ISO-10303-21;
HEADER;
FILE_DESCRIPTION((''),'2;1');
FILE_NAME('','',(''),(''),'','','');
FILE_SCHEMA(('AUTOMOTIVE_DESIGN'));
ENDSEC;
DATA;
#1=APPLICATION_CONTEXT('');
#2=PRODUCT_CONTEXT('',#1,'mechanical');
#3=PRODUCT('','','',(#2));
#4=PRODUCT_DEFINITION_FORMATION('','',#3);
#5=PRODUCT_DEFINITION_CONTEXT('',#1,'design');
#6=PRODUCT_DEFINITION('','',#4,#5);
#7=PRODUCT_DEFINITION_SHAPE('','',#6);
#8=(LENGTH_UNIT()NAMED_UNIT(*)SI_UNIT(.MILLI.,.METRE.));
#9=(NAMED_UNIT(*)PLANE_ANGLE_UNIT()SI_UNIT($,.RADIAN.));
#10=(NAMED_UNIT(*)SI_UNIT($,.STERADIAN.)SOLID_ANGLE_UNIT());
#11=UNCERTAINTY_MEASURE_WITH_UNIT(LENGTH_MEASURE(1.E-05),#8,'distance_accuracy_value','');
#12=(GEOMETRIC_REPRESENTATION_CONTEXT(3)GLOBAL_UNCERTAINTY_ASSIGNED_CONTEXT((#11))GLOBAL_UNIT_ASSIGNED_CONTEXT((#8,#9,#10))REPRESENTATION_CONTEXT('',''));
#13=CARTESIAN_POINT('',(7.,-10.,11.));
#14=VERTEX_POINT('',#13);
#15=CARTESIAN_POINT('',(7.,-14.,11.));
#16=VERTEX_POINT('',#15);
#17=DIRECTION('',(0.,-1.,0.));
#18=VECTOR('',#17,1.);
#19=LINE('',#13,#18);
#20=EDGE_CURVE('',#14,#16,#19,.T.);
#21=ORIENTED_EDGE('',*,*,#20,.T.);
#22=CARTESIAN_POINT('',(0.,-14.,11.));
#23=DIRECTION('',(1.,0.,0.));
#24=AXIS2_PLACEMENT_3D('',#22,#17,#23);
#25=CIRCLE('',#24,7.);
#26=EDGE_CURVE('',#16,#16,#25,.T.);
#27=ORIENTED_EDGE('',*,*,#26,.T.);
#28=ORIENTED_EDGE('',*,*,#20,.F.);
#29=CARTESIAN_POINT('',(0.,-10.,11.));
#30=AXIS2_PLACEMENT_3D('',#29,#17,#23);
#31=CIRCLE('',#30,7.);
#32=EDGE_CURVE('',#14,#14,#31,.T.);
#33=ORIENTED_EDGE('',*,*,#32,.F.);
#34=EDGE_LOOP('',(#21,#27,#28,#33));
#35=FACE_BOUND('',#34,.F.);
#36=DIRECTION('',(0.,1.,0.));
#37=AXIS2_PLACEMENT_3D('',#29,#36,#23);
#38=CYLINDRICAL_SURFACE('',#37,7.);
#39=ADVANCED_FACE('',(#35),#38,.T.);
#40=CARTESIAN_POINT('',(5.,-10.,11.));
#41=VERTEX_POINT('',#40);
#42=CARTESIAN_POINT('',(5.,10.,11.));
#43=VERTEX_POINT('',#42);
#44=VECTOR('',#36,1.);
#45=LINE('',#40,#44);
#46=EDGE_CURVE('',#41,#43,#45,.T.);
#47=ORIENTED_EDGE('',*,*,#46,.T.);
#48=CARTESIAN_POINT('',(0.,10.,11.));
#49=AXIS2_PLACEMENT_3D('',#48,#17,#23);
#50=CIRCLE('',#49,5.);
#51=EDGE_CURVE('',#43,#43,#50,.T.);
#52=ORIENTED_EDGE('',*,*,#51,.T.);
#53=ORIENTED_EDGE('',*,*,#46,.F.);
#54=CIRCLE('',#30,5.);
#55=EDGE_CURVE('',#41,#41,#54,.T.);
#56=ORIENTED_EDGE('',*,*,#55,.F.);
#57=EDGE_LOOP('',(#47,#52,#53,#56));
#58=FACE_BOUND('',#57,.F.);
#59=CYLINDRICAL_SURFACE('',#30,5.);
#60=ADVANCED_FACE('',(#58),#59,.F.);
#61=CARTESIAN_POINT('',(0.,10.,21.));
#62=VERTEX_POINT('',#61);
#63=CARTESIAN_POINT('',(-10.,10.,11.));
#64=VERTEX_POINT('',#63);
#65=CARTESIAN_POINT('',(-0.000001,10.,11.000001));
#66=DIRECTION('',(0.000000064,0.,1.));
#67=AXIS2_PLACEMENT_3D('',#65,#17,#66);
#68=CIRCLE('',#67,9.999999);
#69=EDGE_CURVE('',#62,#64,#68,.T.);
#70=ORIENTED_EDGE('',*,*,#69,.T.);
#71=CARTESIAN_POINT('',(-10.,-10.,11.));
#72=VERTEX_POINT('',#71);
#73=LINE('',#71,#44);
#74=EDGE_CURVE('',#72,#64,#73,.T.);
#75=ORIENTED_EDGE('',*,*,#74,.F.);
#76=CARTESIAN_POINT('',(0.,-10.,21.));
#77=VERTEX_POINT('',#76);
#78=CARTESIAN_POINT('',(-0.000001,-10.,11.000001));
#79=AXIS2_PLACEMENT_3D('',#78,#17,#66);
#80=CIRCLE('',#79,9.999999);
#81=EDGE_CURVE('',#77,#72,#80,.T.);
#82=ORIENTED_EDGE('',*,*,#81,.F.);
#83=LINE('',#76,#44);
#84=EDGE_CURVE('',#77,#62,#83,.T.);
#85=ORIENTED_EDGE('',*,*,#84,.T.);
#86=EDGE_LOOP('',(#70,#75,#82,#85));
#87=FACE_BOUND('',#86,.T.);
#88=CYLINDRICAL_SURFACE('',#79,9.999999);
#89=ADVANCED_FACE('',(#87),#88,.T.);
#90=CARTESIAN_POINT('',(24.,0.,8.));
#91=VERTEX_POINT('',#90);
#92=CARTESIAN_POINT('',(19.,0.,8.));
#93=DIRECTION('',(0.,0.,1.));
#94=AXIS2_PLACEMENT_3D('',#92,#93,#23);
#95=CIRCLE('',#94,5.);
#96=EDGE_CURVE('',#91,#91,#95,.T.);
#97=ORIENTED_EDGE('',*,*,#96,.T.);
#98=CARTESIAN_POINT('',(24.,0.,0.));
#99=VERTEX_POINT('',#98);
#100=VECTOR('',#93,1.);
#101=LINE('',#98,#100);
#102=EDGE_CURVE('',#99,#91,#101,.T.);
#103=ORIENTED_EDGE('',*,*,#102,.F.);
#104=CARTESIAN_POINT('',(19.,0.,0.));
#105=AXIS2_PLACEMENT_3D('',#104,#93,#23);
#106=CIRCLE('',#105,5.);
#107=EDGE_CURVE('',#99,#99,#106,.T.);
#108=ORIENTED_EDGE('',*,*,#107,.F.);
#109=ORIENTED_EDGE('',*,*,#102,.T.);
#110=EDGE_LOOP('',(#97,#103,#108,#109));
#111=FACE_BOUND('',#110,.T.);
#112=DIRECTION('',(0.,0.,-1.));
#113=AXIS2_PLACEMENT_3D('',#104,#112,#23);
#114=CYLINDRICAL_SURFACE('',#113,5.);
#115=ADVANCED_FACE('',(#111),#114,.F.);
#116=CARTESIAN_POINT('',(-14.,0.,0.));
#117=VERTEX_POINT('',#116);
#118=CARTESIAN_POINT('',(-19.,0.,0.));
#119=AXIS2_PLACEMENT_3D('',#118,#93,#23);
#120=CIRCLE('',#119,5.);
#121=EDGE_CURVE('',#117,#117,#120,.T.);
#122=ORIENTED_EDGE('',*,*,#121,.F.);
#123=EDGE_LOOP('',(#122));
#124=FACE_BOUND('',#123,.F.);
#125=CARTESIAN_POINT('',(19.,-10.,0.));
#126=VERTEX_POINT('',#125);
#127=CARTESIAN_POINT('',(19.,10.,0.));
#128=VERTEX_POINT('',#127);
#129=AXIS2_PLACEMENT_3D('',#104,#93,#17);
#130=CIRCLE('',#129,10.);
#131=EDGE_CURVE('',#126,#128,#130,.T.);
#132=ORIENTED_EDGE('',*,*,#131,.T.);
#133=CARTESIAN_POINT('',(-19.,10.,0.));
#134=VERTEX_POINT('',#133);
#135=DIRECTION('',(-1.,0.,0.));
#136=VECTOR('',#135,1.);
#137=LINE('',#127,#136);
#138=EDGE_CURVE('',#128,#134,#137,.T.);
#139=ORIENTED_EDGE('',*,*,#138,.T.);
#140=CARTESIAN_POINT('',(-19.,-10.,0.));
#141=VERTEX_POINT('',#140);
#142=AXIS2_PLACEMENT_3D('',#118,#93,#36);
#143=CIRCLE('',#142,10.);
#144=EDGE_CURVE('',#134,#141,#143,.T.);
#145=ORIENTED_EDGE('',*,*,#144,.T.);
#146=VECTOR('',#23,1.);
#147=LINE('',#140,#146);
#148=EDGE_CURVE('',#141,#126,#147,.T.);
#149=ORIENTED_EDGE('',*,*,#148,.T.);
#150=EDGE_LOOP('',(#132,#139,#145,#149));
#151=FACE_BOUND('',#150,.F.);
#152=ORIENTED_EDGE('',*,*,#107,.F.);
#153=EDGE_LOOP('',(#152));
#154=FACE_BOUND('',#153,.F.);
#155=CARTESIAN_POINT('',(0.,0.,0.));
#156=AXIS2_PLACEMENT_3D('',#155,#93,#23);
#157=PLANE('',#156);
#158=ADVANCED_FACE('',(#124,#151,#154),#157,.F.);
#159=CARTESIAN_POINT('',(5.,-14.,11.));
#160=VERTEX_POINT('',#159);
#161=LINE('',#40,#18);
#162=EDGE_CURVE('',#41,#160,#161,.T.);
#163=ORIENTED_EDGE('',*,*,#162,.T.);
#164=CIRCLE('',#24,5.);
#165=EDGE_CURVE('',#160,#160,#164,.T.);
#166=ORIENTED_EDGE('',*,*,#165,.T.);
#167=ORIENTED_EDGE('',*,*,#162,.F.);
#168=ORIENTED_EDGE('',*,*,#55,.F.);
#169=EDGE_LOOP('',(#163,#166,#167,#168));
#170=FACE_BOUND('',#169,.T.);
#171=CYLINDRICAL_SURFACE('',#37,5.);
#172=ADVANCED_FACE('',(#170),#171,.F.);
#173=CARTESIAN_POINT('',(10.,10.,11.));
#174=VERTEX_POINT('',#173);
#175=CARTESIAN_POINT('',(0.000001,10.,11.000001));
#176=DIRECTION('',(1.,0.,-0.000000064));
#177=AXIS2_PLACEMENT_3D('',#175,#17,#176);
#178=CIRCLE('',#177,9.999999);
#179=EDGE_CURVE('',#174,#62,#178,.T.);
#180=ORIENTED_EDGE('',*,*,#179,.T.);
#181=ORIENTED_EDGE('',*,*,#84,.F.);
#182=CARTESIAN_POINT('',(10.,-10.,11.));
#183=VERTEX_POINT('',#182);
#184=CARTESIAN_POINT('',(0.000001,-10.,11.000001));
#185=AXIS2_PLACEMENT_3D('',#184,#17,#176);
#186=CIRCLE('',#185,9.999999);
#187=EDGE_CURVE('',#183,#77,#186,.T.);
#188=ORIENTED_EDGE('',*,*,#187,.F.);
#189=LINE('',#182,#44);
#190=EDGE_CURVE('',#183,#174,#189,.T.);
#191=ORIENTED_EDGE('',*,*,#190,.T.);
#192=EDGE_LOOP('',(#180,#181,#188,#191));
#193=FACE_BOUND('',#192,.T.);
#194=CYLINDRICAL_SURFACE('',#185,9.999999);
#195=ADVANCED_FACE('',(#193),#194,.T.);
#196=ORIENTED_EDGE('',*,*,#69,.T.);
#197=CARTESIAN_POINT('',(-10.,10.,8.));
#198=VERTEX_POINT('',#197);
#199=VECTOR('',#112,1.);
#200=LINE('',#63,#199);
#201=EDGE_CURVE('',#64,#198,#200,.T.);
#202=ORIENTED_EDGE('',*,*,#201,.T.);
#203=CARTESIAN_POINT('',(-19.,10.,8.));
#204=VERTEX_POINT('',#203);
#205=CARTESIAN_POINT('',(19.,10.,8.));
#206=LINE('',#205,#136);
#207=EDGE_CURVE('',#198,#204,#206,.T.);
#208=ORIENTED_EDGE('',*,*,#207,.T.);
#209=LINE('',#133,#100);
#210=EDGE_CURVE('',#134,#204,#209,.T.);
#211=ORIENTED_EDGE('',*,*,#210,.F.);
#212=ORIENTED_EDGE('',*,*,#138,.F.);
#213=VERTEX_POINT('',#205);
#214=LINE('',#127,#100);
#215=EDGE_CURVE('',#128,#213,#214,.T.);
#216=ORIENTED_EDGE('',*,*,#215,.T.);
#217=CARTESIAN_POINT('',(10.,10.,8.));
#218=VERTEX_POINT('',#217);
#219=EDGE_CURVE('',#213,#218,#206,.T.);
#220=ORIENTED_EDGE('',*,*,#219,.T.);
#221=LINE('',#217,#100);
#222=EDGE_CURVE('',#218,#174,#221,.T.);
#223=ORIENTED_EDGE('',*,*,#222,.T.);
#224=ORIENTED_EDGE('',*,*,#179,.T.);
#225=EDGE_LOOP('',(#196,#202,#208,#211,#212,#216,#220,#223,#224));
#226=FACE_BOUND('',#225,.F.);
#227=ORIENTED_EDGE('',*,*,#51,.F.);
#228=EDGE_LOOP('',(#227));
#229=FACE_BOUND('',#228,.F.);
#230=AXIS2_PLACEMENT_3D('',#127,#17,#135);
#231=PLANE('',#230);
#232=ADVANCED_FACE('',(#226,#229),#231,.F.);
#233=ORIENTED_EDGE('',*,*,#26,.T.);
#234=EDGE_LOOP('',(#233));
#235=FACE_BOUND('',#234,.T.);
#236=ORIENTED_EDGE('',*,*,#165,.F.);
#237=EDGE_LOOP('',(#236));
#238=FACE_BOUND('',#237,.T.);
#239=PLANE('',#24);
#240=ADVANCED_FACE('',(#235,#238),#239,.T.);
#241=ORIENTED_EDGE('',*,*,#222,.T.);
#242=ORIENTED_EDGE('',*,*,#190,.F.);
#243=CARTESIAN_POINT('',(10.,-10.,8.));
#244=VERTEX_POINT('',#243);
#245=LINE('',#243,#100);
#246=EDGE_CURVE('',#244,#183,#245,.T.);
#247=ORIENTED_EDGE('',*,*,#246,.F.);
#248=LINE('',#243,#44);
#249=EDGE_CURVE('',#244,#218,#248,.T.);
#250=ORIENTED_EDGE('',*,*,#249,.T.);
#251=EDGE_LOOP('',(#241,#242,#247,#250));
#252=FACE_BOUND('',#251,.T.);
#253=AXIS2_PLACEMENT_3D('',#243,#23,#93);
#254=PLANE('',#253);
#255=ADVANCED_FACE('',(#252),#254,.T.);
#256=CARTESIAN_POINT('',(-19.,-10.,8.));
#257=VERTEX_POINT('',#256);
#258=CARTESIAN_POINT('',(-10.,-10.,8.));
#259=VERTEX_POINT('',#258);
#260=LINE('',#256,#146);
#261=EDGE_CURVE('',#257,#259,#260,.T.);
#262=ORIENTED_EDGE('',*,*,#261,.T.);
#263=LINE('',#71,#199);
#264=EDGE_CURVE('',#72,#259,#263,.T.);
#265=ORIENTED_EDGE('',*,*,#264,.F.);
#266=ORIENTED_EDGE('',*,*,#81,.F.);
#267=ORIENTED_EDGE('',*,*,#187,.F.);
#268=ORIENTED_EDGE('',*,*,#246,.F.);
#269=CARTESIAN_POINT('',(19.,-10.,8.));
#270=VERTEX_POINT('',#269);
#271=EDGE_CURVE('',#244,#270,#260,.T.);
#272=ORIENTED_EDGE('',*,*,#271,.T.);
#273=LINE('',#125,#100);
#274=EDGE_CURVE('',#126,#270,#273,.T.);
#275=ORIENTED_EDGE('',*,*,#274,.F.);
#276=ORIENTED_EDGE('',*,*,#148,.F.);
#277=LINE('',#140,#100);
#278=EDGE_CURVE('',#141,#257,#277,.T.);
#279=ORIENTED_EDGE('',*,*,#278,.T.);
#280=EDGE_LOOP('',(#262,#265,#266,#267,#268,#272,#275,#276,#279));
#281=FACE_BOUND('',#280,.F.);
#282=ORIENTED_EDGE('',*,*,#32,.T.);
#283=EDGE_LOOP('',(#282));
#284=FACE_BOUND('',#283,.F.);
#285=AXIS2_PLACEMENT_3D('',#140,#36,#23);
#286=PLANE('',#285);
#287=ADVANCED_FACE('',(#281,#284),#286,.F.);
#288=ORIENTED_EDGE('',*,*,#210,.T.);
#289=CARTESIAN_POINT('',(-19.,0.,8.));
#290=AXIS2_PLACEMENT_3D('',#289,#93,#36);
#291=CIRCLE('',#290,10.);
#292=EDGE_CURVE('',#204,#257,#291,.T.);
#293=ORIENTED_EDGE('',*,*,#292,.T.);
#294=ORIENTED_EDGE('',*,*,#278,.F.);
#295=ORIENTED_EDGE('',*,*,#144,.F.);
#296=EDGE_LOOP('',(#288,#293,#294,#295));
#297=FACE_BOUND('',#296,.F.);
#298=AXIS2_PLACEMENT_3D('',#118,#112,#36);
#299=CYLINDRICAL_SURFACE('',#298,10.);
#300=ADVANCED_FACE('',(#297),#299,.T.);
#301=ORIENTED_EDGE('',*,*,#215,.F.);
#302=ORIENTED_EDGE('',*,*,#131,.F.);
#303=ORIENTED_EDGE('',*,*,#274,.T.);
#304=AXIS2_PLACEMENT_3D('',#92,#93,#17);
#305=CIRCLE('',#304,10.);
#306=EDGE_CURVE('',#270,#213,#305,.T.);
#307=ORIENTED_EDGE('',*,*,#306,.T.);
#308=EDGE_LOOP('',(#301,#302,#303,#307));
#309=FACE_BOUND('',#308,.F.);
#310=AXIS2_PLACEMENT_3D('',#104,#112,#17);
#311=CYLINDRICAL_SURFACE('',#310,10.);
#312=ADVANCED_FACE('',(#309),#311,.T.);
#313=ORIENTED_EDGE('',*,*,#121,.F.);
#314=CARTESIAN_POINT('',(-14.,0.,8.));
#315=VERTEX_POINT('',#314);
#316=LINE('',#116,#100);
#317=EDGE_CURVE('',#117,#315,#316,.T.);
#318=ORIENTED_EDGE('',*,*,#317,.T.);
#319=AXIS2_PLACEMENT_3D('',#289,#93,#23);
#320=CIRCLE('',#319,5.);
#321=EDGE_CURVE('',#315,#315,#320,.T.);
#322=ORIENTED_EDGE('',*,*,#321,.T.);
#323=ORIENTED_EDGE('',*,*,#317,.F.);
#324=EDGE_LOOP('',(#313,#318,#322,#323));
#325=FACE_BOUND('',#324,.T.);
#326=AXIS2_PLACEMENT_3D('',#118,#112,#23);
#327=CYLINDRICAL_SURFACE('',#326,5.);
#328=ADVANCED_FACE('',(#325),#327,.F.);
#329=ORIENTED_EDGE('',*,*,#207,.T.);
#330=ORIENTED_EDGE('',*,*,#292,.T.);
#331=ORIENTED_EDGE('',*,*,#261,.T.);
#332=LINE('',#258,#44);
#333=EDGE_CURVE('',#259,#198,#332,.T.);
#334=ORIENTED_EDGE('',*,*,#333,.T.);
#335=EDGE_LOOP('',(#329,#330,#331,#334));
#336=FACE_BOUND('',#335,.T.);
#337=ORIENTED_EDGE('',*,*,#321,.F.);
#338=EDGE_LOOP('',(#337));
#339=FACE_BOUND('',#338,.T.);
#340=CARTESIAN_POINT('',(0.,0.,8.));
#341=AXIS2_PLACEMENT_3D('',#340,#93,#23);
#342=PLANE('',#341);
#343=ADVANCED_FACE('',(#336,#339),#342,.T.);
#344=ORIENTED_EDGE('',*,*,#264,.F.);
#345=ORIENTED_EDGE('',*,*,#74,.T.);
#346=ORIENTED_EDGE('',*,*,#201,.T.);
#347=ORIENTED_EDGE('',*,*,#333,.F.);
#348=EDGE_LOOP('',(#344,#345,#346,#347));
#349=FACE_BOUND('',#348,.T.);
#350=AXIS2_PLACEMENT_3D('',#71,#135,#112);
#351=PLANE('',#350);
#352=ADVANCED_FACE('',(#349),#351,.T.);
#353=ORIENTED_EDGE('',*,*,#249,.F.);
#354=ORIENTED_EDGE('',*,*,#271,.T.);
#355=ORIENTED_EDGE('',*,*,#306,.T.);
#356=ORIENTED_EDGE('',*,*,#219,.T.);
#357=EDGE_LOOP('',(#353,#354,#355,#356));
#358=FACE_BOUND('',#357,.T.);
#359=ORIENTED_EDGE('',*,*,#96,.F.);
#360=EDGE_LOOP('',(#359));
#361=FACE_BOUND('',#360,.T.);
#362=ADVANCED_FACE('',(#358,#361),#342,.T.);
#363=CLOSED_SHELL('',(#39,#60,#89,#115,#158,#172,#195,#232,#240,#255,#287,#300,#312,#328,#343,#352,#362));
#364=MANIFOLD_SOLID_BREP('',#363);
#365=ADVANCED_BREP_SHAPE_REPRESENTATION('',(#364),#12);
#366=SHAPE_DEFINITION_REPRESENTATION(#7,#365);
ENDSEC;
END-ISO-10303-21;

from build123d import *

# Parameters (mm, degrees)
F0_R     = 5
F1_DEPTH = 8
F3_DEPTH = 20
F4_R     = 7
F4_R_2   = 5
F5_DEPTH = 4
F6_DEPTH = 20.001


with BuildPart() as f1:
    # F0 (on Top) → F1 (new body)
    with BuildSketch(Plane.XY):
        with BuildLine():
            ThreePointArc((-19, 10), (-29, 0), (-19, -10))
            Line((-19, -10), (19, -10))
            ThreePointArc((19, -10), (29, 0), (19, 10))
            Line((19, 10), (-19, 10))
        make_face()
        with Locations((-19, 0)):
            Circle(F0_R, mode=Mode.SUBTRACT)
        with Locations((19, 0)):
            Circle(F0_R, mode=Mode.SUBTRACT)
    extrude(amount=F1_DEPTH)

    # F2 (on face) → F3 (join, through all)
    with BuildSketch(Plane.XZ.offset(10)):
        with BuildLine():
            Line((-10, 11), (-10, 8))
            Line((-10, 8), (0, 8))
            Line((0, 8), (10, 8))
            Line((10, 8), (10, 11))
            ThreePointArc((10, 11), (7.071068, 18.071068), (0, 21))
            ThreePointArc((0, 21), (-7.071068, 18.071068), (-10, 11))
        make_face()
    extrude(amount=-F3_DEPTH)

    # F4 (on face) → F5 (join)
    with BuildSketch(Plane.XZ.offset(10)):
        with Locations((0, 11)):
            Circle(F4_R)
        with Locations((0, 11)):
            Circle(F4_R_2, mode=Mode.SUBTRACT)
    extrude(amount=F5_DEPTH)

    # F4 (on face) → F6 (cut, through all)
    with BuildSketch(Plane.XZ.offset(10)):
        with Locations((0, 11)):
            Circle(F4_R_2)
    extrude(amount=-F6_DEPTH, mode=Mode.SUBTRACT)


solid = f1.part
